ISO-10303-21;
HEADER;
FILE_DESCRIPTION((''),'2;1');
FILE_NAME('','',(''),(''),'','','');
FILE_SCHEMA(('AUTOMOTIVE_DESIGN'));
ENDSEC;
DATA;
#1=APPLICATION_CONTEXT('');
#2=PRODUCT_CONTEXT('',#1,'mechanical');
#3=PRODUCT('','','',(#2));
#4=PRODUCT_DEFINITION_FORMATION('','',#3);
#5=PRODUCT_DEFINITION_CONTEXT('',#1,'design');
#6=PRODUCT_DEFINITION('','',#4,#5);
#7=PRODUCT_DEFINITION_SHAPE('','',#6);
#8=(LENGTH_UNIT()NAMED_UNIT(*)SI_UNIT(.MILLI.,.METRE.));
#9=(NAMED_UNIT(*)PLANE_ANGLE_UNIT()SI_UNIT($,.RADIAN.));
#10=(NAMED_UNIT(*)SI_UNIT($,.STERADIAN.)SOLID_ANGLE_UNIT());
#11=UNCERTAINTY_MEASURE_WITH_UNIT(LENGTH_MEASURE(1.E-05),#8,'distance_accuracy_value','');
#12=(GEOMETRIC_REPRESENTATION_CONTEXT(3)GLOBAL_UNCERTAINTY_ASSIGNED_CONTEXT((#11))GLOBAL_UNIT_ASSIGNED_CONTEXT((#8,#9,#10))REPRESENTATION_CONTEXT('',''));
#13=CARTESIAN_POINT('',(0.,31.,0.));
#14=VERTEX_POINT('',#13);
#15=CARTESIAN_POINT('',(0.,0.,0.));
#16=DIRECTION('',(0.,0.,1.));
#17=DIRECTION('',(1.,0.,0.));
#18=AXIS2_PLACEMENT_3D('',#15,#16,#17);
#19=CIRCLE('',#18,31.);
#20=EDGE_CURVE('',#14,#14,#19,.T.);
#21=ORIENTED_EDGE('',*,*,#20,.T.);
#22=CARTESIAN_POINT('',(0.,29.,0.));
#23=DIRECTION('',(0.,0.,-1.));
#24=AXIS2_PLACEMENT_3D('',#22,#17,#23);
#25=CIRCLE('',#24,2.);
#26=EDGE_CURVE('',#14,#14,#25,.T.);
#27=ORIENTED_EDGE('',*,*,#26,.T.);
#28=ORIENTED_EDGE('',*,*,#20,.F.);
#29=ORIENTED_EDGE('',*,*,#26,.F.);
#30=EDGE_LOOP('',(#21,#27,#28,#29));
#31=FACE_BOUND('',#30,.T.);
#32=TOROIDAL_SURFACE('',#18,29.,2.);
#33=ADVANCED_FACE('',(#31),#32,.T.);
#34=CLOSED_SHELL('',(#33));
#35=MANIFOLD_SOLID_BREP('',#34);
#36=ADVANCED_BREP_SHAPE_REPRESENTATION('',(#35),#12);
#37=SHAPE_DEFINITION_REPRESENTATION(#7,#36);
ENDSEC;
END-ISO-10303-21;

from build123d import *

# Parameters (mm, degrees)
ESQUISSE17_R = 2


with BuildPart() as part:
    # Balayage2: sweep along a path in Esquisse1
    with BuildLine(Plane.XY) as balayage2_path:
        CenterArc((0, 0), 28, 0, 360)
    # Esquisse17 → Balayage2 (sweep)
    with BuildSketch(Plane(origin=(0, 0, 0), x_dir=(0, 0, -1), z_dir=(1, 0, 0))):
        with Locations((0, 29)):
            Circle(ESQUISSE17_R)
    sweep(path=balayage2_path.line)


solid = part.part
